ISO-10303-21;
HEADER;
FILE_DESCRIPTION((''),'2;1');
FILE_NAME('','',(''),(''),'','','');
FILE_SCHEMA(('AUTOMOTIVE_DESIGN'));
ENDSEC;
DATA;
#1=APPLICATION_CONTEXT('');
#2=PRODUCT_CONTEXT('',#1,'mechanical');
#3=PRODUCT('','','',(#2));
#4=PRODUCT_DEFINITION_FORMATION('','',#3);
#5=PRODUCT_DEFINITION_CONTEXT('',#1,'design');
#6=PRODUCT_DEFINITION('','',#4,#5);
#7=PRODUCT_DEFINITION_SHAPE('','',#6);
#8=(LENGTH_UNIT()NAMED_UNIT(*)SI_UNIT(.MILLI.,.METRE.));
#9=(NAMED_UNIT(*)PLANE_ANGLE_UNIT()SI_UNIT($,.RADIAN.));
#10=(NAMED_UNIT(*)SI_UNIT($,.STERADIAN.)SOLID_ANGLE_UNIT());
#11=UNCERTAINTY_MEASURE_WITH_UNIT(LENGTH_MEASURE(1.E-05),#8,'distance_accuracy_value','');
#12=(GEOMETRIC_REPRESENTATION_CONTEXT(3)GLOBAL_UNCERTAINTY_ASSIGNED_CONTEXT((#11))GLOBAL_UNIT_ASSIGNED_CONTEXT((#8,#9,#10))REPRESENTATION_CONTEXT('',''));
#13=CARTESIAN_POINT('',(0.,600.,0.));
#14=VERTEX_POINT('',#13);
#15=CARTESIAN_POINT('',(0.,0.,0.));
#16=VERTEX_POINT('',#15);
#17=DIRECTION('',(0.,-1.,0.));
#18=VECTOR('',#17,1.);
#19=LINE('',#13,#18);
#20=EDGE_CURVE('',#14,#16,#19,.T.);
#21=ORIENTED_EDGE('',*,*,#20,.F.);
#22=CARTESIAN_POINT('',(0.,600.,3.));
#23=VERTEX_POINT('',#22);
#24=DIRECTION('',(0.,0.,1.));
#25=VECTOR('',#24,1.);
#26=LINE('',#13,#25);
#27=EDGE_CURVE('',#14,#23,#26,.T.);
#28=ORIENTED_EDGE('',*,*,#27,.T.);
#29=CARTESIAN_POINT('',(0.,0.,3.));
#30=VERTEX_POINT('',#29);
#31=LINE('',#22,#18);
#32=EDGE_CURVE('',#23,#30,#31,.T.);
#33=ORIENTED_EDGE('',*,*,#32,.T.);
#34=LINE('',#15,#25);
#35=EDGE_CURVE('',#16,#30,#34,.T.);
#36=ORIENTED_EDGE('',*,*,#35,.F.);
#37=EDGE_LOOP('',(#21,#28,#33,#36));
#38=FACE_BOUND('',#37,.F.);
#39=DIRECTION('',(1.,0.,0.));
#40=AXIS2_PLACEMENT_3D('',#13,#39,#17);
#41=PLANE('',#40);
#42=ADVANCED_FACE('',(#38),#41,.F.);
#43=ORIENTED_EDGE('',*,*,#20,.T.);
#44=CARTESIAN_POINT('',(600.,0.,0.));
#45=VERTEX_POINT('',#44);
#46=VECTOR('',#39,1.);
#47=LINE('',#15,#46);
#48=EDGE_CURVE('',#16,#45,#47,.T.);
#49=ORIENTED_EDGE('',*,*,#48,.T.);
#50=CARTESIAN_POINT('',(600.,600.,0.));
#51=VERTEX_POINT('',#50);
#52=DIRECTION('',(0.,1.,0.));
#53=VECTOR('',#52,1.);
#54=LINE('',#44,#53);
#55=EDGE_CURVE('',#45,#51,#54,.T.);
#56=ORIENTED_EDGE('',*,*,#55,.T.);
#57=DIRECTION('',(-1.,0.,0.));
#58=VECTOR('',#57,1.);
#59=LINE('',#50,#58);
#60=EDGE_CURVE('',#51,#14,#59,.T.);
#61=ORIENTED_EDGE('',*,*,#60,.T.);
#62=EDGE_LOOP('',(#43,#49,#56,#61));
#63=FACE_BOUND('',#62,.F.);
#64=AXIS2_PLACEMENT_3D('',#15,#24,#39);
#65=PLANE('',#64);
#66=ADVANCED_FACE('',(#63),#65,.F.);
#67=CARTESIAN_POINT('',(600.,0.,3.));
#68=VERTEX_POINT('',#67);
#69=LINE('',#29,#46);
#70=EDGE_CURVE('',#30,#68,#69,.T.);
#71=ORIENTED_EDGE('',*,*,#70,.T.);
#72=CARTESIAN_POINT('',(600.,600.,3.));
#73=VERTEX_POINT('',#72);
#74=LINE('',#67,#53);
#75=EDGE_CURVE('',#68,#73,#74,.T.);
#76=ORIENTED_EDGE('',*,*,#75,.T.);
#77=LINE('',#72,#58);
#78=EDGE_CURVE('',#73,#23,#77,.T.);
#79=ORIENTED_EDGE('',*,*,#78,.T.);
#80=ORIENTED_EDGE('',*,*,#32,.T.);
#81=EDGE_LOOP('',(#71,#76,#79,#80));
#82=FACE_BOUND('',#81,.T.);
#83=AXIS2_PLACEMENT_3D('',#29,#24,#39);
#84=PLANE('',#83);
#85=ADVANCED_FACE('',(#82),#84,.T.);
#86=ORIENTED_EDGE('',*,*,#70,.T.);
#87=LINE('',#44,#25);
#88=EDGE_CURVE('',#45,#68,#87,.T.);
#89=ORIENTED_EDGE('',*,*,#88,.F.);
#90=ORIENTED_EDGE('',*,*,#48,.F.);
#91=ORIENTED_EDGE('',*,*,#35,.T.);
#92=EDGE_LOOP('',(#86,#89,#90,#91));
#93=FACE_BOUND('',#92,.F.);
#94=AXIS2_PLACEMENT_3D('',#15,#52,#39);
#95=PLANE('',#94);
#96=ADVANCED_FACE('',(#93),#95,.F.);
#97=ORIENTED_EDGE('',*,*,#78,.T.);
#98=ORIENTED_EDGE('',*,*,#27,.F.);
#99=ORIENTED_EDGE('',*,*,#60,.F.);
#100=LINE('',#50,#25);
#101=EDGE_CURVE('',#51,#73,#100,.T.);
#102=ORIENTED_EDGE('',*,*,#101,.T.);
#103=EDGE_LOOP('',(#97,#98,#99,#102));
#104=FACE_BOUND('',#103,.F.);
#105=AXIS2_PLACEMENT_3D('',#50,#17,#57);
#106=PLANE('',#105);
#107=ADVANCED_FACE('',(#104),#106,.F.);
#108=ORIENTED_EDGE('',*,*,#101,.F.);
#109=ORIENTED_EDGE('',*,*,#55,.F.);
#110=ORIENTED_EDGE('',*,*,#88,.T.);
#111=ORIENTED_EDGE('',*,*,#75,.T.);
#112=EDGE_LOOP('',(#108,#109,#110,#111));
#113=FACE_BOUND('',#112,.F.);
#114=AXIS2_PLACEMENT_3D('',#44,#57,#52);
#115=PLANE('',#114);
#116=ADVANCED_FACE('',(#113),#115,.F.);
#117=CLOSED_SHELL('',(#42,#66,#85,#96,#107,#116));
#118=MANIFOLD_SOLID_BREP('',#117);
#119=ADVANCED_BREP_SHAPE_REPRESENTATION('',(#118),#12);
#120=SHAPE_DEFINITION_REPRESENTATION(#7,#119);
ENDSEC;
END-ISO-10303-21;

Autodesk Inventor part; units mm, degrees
ref_plane "YZ Plane" through (0, 0, 0) normal (1, 0, 0) x (0, 1, 0)
ref_plane "XZ Plane" through (0, 0, 0) normal (0, 1, 0) x (-1, 0, 0)
ref_plane "XY Plane" through (0, 0, 0) normal (0, 0, 1) x (1, 0, 0)
sketch "Esboço1" plane through (0, 0, 0) normal (0, 0, 1) x (1, 0, 0)
  line L0 (0, 0) -> (600, 0)
  line L1 (600, 0) -> (600, 600)
  line L2 (600, 600) -> (0, 600)
  line L3 (0, 600) -> (0, 0)
  dimension "d0" = 600
  dimension "d1" = 600
extrude "Extrusão1" add sketch "Esboço1" along normal blind 3
properties part number "fundo" material "MDF - Chapa de fibra de média densidade"
